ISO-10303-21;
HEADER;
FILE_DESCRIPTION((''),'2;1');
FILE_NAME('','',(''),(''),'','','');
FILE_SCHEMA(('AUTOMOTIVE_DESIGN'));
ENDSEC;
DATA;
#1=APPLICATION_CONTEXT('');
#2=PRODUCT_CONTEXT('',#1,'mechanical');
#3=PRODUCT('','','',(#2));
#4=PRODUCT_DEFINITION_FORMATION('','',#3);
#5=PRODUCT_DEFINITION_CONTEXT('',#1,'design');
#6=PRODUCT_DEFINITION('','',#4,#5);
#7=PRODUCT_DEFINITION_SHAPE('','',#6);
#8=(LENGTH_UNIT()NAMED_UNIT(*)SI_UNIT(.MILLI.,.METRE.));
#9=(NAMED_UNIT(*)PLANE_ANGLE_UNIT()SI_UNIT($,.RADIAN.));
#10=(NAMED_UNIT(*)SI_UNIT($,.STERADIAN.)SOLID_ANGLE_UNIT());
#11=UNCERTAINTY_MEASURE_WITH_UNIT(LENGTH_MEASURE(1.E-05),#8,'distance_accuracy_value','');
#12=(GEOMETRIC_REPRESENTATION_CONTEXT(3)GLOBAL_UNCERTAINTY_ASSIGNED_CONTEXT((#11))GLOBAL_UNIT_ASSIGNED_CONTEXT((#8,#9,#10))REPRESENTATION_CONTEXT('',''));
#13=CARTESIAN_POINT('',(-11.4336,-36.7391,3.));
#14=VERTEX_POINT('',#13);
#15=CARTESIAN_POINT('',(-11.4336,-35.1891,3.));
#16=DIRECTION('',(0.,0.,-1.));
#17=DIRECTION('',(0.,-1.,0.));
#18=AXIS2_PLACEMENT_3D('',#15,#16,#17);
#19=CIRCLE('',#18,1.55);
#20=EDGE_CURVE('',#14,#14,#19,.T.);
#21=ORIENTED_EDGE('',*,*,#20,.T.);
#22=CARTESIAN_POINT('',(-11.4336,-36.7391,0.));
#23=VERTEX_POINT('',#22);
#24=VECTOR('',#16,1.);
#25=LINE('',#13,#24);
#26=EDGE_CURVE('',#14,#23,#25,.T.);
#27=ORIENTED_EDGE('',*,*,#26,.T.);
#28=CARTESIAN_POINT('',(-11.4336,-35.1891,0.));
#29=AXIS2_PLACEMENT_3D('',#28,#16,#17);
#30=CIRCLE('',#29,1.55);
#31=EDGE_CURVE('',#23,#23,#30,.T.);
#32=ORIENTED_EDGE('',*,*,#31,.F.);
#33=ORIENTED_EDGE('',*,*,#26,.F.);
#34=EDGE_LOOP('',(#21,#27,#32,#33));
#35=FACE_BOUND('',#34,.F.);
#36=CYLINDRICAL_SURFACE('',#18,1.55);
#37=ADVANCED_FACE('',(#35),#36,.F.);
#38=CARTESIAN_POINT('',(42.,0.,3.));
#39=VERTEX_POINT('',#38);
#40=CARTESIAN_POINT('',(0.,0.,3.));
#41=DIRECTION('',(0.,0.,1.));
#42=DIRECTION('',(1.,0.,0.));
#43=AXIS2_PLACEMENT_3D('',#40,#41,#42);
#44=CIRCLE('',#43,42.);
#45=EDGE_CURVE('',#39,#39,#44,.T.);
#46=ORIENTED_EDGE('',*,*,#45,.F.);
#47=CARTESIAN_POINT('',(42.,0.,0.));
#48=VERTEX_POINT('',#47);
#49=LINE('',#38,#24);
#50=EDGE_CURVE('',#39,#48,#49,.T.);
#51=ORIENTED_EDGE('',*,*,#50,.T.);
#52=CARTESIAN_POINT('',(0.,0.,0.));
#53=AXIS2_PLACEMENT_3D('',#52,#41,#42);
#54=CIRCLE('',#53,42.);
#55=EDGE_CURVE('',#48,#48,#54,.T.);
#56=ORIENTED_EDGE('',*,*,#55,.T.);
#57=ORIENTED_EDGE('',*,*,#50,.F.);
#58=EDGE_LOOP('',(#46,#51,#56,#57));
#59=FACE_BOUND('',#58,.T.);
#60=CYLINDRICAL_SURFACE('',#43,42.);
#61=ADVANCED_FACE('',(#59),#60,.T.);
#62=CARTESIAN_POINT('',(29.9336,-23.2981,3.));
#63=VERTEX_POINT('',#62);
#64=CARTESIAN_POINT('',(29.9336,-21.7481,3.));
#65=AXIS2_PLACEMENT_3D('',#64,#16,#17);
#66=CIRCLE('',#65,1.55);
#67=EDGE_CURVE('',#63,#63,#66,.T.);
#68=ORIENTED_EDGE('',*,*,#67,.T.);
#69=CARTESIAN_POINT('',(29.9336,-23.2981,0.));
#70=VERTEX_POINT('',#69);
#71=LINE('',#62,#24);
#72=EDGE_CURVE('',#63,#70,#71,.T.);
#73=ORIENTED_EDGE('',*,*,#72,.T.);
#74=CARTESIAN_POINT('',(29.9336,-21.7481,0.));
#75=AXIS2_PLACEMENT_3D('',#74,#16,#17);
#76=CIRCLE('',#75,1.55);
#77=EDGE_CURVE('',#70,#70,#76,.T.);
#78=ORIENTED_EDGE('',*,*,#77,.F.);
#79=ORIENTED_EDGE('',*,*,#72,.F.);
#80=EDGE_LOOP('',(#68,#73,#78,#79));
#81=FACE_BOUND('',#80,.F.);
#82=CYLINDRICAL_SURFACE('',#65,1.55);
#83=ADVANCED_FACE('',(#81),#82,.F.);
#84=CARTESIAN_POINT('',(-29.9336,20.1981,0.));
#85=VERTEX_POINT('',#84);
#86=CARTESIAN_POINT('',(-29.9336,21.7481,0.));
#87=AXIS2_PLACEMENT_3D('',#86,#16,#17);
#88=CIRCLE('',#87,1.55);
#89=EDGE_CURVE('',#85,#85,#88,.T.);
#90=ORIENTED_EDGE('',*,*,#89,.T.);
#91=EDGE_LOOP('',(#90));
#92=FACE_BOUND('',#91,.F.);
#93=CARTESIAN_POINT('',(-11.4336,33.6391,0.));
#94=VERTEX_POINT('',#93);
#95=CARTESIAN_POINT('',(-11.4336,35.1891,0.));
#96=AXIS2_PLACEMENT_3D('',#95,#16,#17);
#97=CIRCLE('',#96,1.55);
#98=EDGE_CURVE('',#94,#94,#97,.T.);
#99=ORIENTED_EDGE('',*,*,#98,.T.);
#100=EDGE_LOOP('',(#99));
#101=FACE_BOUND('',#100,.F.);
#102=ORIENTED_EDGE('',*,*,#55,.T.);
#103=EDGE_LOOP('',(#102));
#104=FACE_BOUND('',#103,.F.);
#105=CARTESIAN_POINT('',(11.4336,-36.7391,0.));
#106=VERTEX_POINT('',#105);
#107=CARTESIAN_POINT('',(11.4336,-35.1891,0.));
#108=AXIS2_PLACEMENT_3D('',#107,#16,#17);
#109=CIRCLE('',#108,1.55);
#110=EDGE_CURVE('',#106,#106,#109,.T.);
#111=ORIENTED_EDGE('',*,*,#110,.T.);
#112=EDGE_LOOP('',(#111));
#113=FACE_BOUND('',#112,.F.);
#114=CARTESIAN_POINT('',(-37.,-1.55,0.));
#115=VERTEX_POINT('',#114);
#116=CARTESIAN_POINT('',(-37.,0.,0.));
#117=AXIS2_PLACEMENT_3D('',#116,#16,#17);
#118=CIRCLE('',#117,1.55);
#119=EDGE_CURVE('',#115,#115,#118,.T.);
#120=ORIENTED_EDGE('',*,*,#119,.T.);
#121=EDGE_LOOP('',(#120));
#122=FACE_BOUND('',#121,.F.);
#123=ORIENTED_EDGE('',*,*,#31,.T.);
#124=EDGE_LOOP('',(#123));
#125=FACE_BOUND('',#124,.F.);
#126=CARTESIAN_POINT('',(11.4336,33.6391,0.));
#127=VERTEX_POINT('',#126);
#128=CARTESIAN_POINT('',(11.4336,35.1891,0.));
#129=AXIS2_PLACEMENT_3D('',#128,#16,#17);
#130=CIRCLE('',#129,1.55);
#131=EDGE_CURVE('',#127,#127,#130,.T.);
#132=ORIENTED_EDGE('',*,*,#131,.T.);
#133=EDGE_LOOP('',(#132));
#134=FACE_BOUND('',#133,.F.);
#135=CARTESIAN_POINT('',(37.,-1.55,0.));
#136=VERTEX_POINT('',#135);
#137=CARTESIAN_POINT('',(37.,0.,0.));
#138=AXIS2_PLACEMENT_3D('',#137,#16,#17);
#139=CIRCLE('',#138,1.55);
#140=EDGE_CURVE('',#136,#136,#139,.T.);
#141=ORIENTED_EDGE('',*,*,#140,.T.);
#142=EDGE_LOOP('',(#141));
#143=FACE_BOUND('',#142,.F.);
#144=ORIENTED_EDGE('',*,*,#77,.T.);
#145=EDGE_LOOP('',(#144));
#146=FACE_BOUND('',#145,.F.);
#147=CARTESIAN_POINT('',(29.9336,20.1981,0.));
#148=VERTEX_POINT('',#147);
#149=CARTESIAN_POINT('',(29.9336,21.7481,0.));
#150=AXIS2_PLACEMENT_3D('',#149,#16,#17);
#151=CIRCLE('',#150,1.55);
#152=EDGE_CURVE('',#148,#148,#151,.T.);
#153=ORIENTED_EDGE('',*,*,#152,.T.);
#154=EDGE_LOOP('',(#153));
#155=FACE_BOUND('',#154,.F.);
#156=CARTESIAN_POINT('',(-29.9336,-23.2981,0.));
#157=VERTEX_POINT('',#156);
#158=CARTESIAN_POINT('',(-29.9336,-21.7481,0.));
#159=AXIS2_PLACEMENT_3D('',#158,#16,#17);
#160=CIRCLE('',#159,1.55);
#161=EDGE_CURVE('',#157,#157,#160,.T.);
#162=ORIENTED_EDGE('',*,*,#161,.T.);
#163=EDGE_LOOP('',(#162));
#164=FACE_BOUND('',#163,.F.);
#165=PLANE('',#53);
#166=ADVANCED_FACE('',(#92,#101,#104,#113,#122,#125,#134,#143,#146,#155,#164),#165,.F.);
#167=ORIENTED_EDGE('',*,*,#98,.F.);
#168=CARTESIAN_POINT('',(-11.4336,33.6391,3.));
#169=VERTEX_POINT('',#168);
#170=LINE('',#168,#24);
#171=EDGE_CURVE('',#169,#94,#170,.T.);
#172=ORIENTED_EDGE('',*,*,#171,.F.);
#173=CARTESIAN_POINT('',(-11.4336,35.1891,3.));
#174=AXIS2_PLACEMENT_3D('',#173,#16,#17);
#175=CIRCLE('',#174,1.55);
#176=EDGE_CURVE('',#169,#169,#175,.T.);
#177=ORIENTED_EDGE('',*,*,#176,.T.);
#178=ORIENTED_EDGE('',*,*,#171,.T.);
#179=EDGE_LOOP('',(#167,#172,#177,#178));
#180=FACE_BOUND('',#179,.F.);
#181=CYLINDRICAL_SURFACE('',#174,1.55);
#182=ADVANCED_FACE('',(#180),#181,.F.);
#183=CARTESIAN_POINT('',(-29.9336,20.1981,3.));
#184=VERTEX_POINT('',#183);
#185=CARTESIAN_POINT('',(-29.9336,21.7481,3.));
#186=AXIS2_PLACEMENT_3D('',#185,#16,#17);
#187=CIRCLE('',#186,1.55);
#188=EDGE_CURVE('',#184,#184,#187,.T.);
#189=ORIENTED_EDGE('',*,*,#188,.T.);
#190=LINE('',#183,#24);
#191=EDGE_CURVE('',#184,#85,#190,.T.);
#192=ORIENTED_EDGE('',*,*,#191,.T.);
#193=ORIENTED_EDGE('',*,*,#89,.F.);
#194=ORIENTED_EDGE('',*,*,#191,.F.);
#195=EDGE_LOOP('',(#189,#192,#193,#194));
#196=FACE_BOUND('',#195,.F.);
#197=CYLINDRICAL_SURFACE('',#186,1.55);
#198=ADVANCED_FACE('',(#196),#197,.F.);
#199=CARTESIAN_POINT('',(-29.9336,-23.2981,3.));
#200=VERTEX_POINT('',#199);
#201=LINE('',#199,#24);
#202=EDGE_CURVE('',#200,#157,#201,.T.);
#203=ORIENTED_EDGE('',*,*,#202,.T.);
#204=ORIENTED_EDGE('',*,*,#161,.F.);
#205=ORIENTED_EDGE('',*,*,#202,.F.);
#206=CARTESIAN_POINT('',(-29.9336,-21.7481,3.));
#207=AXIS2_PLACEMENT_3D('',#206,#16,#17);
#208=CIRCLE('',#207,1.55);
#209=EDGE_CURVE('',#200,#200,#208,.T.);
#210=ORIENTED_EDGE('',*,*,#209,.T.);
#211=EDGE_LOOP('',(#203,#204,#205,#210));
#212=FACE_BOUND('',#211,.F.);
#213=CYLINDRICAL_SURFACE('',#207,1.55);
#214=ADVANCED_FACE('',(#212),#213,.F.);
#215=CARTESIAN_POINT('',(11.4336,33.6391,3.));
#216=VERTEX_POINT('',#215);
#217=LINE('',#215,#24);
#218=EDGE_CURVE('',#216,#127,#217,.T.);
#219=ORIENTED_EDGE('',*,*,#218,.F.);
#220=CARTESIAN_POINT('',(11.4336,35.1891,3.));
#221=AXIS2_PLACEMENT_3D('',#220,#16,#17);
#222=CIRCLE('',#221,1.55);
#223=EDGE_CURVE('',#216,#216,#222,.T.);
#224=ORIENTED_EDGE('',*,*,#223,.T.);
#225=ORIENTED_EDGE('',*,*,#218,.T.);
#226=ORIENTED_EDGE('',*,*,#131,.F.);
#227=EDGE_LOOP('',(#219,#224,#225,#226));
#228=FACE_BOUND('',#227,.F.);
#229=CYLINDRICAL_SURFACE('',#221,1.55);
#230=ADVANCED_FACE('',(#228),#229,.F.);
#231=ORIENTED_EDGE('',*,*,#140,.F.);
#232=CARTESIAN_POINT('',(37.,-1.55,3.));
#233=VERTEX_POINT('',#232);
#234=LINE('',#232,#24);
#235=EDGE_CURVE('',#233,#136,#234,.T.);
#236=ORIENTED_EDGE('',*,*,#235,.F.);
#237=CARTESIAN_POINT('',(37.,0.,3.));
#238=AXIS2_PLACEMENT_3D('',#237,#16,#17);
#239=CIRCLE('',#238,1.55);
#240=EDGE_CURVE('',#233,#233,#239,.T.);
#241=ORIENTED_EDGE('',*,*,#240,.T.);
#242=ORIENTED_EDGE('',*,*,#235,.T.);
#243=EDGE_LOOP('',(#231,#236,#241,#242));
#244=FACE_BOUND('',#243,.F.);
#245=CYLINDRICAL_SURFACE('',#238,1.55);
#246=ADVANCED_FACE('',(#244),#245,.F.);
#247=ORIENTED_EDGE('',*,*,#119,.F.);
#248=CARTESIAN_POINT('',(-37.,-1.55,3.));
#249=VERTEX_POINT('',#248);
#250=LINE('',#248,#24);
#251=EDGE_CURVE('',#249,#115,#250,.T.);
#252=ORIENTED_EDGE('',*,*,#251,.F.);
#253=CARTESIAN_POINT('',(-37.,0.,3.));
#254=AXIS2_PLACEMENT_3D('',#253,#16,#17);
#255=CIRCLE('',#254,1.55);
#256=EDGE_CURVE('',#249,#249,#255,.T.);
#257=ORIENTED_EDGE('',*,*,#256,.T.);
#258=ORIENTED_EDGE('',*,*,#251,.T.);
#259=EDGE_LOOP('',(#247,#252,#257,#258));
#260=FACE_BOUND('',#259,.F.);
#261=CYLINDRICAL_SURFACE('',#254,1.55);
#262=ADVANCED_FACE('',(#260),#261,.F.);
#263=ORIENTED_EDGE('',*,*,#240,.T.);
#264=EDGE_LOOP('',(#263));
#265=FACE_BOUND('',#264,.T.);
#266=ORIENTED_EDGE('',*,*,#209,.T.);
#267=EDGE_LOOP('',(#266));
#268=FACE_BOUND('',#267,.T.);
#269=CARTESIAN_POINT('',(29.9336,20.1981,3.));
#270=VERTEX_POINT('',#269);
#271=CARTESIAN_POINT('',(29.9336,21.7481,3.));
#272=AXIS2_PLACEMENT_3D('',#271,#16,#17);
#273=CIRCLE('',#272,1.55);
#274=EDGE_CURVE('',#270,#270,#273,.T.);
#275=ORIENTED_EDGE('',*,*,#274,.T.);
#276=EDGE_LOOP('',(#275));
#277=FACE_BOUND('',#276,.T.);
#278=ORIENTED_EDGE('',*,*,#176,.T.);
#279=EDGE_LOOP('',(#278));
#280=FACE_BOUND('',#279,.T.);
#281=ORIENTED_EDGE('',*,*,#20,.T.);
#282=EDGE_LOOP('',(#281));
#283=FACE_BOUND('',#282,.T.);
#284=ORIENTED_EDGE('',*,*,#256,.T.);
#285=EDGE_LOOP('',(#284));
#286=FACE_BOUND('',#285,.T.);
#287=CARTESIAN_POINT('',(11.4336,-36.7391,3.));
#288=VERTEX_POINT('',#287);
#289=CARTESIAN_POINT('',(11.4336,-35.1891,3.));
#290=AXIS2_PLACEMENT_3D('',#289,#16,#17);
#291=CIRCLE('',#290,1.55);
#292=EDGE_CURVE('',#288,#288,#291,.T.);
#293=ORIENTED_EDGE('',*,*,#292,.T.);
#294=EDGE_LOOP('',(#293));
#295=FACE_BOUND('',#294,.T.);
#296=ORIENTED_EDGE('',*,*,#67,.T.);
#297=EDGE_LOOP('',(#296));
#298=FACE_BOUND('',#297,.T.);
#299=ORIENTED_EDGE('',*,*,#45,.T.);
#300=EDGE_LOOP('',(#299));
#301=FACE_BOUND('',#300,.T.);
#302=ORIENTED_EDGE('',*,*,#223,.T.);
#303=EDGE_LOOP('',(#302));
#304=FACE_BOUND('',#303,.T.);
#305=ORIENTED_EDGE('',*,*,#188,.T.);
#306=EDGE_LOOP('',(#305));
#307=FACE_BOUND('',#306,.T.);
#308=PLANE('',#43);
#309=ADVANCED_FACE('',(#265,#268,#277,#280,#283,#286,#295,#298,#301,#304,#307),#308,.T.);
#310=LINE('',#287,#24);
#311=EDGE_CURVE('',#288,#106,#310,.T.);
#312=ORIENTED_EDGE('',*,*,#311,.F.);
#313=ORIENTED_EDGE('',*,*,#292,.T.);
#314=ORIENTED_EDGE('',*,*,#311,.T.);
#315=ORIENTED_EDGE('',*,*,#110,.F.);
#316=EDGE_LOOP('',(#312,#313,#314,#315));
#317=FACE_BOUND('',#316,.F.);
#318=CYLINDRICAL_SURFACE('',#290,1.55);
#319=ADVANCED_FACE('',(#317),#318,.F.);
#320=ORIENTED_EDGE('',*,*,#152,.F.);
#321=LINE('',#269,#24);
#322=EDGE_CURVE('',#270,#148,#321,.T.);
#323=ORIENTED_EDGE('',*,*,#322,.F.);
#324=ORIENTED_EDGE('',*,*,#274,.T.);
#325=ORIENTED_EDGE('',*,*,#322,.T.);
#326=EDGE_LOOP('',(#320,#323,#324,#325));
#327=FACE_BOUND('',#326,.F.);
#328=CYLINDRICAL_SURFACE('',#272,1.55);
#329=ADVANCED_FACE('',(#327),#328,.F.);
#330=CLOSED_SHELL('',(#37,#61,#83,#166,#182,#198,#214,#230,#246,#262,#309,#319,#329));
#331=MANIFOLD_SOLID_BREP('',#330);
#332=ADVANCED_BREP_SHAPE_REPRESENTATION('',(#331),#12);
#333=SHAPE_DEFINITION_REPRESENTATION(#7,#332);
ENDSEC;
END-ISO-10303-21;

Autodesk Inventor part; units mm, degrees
ref_plane "YZ Plane" through (0, 0, 0) normal (1, 0, 0) x (0, 1, 0)
ref_plane "XZ Plane" through (0, 0, 0) normal (0, 1, 0) x (-1, 0, 0)
ref_plane "Work Plane1" through (0, 0, 0) normal (0, 0, 1) x (1, 0, 0)
sketch "Sketch1" plane through (0, 0, 0) normal (0, 0, 1) x (1, 0, 0)
  circle A0 centre (0, 0) radius 40 projected
  circle A1 centre (0, 0) radius 40 projected
  circle A2 centre (37, 0) radius 1.4 projected
  circle A3 centre (29.9336, 21.7481) radius 1.4 projected
  circle A4 centre (11.4336, 35.1891) radius 1.4 projected
  circle A5 centre (-11.4336, 35.1891) radius 1.4 projected
  circle A6 centre (-29.9336, 21.7481) radius 1.4 projected
  circle A7 centre (-37, 0) radius 1.4 projected
  circle A8 centre (-29.9336, -21.7481) radius 1.4 projected
  circle A9 centre (-11.4336, -35.1891) radius 1.4 projected
  circle A10 centre (11.4336, -35.1891) radius 1.4 projected
  circle A11 centre (29.9336, -21.7481) radius 1.4 projected
  circle A12 centre (0, 0) radius 42
  circle A13 centre (0, 0) radius 18.5 projected
  point P0 (0, 0)
  dimension "d9" = 2
extrude "Extrusion1" add sketch "Sketch1" along normal blind 3 contours A0 | A13
sketch "Sketch2" plane through (0, 0, 3) normal (0, 0, 1) x (1, 0, 0)
  circle A0 centre (0, 0) radius 40 projected
  circle A1 centre (29.9336, -21.7481) radius 1.4 projected
  circle A2 centre (11.4336, -35.1891) radius 1.4 projected
  circle A3 centre (-11.4336, -35.1891) radius 1.4 projected
  circle A4 centre (-29.9336, -21.7481) radius 1.4 projected
  circle A5 centre (-37, 0) radius 1.4 projected
  circle A6 centre (-29.9336, 21.7481) radius 1.4 projected
  circle A7 centre (-11.4336, 35.1891) radius 1.4 projected
  circle A8 centre (11.4336, 35.1891) radius 1.4 projected
  circle A9 centre (29.9336, 21.7481) radius 1.4 projected
  circle A10 centre (37, 0) radius 1.4 projected
  point P0 (0, 0)
hole "Hole1" at (29.9336, 21.7481, 3) at (37, 0, 3) at (29.9336, -21.7481, 3) at (11.4336, -35.1891, 3) at (-11.4336, -35.1891, 3) at (-29.9336, -21.7481, 3) at (-37, 0, 3) at (-29.9336, 21.7481, 3) at (-11.4336, 35.1891, 3) at (11.4336, 35.1891, 3) direction (0, 0, -1) diameter 3.1 end through all
sketch "Sketch3" plane through (0, 0, 3) normal (0, 0, 1) x (1, 0, 0)
  circle A0 centre (0, 0) radius 40 projected
  circle A1 centre (0, 0) radius 42
  point P0 (0, 0)
  dimension "d10" = 2
ref_plane "Work Plane2" through (-40, -40, 0) normal (0, 0, 1) x (1, 0, 0)
extrude "Extrusion2" add sketch "Sketch3" against normal up to surface (3 mm away)
sketch "Sketch4" plane through (0, 0, 3) normal (0, 0, 1) x (1, 0, 0)
  circle A0 centre (0, 0) radius 42 projected
  circle A1 centre (-11.4336, 35.1891) radius 1.55 projected
  circle A2 centre (-37, 0) radius 1.55 projected
  circle A3 centre (-11.4336, -35.1891) radius 1.55 projected
  circle A4 centre (29.9336, -21.7481) radius 1.55 projected
  circle A5 centre (29.9336, 21.7481) radius 1.55 projected
  circle A6 centre (37, 0) radius 1.55 projected
  circle A7 centre (11.4336, -35.1891) radius 1.55 projected
  circle A8 centre (-29.9336, -21.7481) radius 1.55 projected
  circle A9 centre (-29.9336, 21.7481) radius 1.55 projected
  circle A10 centre (11.4336, 35.1891) radius 1.55 projected
  point P0 (0, 0)
properties part number "Anglerfish_Frontwindow_v0"
